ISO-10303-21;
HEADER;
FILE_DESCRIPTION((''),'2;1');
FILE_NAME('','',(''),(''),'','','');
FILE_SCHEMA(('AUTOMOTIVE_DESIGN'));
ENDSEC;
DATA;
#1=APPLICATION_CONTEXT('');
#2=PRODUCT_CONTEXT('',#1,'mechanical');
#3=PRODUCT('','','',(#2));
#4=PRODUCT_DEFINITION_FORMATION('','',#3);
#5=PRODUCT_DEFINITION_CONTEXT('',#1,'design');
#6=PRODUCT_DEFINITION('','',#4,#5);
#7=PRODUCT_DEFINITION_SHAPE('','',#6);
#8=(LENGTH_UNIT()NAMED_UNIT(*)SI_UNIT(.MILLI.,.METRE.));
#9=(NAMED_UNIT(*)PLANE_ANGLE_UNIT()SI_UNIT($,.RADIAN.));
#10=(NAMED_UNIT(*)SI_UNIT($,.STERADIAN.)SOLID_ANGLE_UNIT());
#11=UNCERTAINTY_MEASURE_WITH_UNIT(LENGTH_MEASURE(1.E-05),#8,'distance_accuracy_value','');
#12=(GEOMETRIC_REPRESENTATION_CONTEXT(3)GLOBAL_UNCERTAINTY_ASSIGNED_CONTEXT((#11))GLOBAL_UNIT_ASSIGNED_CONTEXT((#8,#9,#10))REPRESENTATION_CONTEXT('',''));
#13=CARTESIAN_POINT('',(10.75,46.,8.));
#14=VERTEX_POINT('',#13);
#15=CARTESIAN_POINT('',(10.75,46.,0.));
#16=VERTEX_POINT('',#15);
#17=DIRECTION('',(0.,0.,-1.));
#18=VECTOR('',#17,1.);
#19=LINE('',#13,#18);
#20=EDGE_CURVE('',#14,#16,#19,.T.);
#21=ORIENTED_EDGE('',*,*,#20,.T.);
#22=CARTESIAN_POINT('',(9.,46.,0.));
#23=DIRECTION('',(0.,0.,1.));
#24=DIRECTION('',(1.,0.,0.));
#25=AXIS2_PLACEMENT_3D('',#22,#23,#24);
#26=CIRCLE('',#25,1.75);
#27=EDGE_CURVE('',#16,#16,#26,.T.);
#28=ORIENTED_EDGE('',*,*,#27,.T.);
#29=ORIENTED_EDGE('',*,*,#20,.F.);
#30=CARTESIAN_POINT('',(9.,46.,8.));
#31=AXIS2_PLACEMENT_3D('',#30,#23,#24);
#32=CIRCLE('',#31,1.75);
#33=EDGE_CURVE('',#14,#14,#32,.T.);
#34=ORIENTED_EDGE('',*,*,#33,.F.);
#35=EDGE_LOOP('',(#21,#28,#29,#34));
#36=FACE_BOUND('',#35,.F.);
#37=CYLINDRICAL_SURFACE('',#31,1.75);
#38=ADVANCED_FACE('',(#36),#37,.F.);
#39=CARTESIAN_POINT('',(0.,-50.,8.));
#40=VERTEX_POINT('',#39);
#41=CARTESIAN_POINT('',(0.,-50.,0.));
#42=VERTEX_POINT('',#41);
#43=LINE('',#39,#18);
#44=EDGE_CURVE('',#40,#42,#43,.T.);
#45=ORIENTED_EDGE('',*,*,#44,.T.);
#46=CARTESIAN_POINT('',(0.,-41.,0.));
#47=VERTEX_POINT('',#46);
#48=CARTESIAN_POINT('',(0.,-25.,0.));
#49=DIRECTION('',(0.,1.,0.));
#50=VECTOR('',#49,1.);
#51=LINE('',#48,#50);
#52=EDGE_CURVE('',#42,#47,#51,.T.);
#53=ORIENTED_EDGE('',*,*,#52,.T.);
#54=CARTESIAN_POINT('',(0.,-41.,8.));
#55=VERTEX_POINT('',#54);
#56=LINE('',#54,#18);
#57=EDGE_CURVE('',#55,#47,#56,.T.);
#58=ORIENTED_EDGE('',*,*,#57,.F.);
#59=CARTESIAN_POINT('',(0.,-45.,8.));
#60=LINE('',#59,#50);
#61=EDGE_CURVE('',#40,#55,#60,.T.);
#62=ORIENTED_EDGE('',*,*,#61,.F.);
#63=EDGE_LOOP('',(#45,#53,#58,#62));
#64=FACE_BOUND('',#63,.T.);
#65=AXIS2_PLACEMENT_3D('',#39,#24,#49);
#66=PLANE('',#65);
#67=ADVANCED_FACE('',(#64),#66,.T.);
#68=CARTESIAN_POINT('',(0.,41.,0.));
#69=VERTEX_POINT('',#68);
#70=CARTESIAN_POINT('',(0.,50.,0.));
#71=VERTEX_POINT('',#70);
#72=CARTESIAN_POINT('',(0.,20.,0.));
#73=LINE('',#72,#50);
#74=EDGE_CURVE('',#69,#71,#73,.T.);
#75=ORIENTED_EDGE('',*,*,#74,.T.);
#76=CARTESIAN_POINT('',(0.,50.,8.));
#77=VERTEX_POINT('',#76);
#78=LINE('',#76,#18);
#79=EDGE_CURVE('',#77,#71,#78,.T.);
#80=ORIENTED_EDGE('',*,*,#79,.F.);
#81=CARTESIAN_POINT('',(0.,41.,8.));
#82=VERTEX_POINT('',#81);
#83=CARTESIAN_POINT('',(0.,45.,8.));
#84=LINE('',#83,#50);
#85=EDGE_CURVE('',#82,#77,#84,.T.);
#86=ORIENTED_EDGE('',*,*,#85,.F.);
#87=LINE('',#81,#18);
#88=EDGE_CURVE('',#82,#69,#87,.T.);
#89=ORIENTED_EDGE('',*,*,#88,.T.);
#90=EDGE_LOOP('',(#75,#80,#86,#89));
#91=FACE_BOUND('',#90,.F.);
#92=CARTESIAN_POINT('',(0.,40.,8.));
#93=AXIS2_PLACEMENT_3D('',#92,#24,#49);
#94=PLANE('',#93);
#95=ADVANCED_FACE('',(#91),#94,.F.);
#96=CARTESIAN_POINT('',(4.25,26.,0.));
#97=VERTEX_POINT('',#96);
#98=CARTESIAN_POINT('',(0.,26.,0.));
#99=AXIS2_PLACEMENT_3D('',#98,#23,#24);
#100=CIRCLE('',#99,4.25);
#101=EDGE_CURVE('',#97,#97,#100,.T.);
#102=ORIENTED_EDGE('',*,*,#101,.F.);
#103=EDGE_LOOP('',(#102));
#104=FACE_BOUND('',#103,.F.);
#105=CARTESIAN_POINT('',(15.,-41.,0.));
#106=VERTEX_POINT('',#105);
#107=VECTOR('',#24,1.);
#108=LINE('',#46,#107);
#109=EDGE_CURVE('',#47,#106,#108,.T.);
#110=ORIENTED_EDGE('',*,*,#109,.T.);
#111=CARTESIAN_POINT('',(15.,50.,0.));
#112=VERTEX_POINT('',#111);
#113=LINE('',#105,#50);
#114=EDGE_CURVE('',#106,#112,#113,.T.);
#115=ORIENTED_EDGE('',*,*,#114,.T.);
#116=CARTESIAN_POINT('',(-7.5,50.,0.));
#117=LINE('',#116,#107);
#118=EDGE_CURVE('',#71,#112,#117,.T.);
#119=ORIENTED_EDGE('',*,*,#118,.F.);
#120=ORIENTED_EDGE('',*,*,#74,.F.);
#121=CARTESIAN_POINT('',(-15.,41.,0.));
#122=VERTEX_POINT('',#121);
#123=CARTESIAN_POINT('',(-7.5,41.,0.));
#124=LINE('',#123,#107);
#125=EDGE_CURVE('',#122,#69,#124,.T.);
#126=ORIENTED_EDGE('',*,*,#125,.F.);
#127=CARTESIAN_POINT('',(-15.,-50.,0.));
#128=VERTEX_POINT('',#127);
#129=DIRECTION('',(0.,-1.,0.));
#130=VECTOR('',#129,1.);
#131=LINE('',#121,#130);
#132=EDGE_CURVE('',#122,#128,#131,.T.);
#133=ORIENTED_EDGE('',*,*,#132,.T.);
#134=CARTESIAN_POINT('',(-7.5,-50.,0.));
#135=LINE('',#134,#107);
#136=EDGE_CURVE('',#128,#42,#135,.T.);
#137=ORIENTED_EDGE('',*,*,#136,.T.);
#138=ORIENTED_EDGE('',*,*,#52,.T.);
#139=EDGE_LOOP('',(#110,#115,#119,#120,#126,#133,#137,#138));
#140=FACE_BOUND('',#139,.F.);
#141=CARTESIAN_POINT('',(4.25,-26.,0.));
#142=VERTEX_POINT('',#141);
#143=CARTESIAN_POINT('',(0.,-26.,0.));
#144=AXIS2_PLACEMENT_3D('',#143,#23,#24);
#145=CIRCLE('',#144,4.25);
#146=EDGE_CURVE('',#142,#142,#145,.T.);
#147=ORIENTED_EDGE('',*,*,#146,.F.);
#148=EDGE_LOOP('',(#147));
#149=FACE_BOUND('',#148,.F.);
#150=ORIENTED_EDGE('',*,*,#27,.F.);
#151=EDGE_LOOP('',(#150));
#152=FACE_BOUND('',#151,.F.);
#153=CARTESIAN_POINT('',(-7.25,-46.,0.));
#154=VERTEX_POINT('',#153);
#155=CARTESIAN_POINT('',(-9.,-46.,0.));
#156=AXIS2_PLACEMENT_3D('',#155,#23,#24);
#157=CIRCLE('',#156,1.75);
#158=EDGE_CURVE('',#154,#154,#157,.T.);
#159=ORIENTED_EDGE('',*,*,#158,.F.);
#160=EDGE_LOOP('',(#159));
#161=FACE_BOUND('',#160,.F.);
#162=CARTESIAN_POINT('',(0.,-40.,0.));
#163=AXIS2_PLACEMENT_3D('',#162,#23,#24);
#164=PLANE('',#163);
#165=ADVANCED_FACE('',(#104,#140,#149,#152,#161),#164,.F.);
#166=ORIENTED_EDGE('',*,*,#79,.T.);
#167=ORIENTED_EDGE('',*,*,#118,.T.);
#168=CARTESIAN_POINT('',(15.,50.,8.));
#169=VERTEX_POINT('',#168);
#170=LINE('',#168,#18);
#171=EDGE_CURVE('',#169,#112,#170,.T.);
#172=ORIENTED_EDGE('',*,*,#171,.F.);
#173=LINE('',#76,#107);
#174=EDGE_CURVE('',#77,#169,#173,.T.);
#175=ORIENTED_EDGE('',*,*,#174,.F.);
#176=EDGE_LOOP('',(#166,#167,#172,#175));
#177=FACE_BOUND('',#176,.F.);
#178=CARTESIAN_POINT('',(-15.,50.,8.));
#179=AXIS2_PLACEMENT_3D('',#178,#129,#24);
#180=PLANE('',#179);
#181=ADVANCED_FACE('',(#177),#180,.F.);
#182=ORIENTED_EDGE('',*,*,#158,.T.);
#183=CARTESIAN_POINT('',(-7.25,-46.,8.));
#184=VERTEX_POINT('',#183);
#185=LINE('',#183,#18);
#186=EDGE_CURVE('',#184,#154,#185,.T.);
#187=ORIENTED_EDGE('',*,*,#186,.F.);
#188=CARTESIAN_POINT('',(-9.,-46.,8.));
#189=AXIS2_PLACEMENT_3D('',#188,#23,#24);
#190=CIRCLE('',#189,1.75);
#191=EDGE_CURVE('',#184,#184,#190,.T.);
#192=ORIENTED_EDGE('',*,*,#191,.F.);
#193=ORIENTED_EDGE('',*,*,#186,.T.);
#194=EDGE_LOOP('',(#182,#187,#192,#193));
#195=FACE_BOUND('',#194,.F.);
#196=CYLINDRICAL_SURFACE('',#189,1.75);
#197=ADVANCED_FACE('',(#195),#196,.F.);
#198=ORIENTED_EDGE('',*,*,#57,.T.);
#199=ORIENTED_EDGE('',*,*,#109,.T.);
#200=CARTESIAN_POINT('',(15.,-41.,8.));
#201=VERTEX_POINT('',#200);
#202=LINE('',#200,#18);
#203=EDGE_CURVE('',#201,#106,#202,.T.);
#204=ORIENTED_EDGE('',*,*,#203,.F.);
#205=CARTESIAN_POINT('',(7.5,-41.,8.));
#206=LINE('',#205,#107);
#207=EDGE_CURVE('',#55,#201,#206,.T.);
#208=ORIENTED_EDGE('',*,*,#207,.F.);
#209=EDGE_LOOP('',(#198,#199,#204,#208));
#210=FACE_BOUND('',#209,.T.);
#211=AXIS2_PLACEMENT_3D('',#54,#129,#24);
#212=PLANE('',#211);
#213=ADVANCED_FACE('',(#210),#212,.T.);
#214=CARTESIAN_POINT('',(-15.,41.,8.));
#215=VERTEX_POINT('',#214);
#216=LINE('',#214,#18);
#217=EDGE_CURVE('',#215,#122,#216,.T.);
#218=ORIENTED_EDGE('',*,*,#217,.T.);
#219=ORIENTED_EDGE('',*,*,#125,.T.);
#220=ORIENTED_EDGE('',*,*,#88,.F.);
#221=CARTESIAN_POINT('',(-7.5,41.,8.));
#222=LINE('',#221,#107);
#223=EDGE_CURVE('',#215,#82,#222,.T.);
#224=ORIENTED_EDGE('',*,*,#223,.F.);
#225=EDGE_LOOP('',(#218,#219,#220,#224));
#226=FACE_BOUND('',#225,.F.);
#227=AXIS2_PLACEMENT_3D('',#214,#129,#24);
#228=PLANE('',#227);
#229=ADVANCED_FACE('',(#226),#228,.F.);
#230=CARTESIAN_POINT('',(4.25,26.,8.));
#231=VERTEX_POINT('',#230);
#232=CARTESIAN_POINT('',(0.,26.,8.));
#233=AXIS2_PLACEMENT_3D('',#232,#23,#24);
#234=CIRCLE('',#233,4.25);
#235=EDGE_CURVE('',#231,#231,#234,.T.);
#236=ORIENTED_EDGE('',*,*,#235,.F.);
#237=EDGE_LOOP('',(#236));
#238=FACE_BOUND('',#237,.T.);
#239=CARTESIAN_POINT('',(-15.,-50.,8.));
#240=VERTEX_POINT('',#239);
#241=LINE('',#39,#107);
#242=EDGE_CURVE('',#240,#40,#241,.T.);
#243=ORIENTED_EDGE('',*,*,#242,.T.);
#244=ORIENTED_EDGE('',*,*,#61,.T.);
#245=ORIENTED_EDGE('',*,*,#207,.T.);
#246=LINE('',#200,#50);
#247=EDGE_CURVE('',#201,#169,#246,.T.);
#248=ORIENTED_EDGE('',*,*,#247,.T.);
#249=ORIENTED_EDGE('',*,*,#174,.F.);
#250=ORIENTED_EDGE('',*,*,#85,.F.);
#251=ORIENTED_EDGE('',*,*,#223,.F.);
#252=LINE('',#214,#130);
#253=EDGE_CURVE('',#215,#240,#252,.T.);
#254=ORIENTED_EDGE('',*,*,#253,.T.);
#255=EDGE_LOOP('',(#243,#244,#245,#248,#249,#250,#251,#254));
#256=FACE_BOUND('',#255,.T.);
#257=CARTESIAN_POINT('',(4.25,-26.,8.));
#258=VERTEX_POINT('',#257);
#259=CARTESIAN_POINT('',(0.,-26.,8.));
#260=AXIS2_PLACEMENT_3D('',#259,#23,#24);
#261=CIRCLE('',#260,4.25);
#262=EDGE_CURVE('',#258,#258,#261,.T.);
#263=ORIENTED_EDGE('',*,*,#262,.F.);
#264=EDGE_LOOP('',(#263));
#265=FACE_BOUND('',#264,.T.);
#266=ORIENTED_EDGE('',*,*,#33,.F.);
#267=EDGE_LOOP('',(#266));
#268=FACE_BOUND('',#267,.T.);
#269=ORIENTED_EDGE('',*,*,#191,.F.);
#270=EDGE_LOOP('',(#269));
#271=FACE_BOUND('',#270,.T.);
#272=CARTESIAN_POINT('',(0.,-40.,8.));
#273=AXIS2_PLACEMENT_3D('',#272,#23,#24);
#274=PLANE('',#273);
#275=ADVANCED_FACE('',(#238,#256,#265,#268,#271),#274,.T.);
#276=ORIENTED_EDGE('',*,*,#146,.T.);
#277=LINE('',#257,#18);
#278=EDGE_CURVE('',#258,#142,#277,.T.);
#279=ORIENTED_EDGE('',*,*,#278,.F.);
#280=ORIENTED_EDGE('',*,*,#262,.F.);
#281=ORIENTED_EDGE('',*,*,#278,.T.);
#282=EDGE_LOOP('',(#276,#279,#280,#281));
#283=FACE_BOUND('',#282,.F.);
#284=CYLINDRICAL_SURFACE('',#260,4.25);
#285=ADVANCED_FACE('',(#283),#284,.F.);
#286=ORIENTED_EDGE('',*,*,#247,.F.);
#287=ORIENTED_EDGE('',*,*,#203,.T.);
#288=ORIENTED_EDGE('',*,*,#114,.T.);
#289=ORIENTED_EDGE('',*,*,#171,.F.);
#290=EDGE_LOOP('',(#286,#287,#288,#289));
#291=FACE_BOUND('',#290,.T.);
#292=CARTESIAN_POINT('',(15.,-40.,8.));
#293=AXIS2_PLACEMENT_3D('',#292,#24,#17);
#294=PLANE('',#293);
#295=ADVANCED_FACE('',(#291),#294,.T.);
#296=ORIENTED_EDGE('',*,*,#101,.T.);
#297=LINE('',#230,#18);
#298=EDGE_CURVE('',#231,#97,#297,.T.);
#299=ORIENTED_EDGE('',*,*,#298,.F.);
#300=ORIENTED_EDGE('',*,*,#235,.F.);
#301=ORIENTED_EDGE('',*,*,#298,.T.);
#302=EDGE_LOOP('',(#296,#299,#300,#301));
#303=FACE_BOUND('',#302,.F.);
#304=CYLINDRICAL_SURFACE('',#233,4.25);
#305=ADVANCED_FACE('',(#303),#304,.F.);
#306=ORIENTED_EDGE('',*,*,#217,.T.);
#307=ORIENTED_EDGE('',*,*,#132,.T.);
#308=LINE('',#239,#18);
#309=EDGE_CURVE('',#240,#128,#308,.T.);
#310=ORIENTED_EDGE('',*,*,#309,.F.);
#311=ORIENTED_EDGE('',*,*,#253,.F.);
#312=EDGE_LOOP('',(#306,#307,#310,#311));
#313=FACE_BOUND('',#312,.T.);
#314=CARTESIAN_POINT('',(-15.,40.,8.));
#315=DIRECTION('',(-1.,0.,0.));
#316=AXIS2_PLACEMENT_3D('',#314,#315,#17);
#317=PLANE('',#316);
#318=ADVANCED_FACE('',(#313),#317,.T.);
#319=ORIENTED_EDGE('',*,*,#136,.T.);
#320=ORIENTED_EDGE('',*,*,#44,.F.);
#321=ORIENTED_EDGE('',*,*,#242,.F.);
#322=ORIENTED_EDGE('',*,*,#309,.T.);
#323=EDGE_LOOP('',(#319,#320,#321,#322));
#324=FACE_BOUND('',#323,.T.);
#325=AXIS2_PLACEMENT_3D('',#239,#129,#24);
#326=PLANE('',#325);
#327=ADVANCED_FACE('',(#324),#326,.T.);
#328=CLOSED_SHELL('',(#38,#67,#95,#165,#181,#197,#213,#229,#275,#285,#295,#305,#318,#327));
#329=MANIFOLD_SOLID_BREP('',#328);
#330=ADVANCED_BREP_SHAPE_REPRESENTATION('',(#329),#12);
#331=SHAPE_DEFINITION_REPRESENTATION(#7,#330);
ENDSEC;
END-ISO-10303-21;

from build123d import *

# Parameters (mm, degrees)
F0_W     = 42
F0_H     = 120
F1_DEPTH = 8
F2_W     = 42
F2_H     = 120
F2_W_2   = 30
F2_H_2   = 100
F3_DEPTH = 25
F4_W     = 15
F4_H     = 10
F5_DEPTH = 25
F6_DEPTH = 1
F7_DEPTH = 1
F8_R     = 1.75
F8_R_2   = 4.25
F9_DEPTH = 25


with BuildPart() as f1:
    # F0 (on Top) → F1 (new body)
    with BuildSketch(Plane.XY):
        Rectangle(F0_W, F0_H)
    extrude(amount=F1_DEPTH)

    # F2 (on face) → F3 (cut)
    with BuildSketch(Plane.XY.offset(8)):
        Rectangle(F2_W, F2_H)
        Rectangle(F2_W_2, F2_H_2, mode=Mode.SUBTRACT)
    extrude(amount=-F3_DEPTH, mode=Mode.SUBTRACT)

    # F4 (on face) → F5 (cut)
    with BuildSketch(Plane.XY.offset(8)):
        with Locations((-7.5, 45)):
            Rectangle(F4_W, F4_H)
        with Locations((7.5, -45)):
            Rectangle(F4_W, F4_H)
    extrude(amount=-F5_DEPTH, mode=Mode.SUBTRACT)

    # F6 (add): a face of the model
    f6_faces = [f1.faces().sort_by_distance(p)[0] for p in [
        (-7.5, 40, 4),
    ]]
    extrude(f6_faces, amount=F6_DEPTH)

    # F7 (add): a face of the model
    f7_faces = [f1.faces().sort_by_distance(p)[0] for p in [
        (7.5, -40, 4),
    ]]
    extrude(f7_faces, amount=F7_DEPTH)

    # F8 (on face) → F9 (cut)
    with BuildSketch(Plane.XY.offset(8)):
        with Locations((9, 46)):
            Circle(F8_R)
        with Locations((-9, -46)):
            Circle(F8_R)
        with Locations((0, 26)):
            Circle(F8_R_2)
        with Locations((0, -26)):
            Circle(F8_R_2)
    extrude(amount=-F9_DEPTH, mode=Mode.SUBTRACT)


solid = f1.part
